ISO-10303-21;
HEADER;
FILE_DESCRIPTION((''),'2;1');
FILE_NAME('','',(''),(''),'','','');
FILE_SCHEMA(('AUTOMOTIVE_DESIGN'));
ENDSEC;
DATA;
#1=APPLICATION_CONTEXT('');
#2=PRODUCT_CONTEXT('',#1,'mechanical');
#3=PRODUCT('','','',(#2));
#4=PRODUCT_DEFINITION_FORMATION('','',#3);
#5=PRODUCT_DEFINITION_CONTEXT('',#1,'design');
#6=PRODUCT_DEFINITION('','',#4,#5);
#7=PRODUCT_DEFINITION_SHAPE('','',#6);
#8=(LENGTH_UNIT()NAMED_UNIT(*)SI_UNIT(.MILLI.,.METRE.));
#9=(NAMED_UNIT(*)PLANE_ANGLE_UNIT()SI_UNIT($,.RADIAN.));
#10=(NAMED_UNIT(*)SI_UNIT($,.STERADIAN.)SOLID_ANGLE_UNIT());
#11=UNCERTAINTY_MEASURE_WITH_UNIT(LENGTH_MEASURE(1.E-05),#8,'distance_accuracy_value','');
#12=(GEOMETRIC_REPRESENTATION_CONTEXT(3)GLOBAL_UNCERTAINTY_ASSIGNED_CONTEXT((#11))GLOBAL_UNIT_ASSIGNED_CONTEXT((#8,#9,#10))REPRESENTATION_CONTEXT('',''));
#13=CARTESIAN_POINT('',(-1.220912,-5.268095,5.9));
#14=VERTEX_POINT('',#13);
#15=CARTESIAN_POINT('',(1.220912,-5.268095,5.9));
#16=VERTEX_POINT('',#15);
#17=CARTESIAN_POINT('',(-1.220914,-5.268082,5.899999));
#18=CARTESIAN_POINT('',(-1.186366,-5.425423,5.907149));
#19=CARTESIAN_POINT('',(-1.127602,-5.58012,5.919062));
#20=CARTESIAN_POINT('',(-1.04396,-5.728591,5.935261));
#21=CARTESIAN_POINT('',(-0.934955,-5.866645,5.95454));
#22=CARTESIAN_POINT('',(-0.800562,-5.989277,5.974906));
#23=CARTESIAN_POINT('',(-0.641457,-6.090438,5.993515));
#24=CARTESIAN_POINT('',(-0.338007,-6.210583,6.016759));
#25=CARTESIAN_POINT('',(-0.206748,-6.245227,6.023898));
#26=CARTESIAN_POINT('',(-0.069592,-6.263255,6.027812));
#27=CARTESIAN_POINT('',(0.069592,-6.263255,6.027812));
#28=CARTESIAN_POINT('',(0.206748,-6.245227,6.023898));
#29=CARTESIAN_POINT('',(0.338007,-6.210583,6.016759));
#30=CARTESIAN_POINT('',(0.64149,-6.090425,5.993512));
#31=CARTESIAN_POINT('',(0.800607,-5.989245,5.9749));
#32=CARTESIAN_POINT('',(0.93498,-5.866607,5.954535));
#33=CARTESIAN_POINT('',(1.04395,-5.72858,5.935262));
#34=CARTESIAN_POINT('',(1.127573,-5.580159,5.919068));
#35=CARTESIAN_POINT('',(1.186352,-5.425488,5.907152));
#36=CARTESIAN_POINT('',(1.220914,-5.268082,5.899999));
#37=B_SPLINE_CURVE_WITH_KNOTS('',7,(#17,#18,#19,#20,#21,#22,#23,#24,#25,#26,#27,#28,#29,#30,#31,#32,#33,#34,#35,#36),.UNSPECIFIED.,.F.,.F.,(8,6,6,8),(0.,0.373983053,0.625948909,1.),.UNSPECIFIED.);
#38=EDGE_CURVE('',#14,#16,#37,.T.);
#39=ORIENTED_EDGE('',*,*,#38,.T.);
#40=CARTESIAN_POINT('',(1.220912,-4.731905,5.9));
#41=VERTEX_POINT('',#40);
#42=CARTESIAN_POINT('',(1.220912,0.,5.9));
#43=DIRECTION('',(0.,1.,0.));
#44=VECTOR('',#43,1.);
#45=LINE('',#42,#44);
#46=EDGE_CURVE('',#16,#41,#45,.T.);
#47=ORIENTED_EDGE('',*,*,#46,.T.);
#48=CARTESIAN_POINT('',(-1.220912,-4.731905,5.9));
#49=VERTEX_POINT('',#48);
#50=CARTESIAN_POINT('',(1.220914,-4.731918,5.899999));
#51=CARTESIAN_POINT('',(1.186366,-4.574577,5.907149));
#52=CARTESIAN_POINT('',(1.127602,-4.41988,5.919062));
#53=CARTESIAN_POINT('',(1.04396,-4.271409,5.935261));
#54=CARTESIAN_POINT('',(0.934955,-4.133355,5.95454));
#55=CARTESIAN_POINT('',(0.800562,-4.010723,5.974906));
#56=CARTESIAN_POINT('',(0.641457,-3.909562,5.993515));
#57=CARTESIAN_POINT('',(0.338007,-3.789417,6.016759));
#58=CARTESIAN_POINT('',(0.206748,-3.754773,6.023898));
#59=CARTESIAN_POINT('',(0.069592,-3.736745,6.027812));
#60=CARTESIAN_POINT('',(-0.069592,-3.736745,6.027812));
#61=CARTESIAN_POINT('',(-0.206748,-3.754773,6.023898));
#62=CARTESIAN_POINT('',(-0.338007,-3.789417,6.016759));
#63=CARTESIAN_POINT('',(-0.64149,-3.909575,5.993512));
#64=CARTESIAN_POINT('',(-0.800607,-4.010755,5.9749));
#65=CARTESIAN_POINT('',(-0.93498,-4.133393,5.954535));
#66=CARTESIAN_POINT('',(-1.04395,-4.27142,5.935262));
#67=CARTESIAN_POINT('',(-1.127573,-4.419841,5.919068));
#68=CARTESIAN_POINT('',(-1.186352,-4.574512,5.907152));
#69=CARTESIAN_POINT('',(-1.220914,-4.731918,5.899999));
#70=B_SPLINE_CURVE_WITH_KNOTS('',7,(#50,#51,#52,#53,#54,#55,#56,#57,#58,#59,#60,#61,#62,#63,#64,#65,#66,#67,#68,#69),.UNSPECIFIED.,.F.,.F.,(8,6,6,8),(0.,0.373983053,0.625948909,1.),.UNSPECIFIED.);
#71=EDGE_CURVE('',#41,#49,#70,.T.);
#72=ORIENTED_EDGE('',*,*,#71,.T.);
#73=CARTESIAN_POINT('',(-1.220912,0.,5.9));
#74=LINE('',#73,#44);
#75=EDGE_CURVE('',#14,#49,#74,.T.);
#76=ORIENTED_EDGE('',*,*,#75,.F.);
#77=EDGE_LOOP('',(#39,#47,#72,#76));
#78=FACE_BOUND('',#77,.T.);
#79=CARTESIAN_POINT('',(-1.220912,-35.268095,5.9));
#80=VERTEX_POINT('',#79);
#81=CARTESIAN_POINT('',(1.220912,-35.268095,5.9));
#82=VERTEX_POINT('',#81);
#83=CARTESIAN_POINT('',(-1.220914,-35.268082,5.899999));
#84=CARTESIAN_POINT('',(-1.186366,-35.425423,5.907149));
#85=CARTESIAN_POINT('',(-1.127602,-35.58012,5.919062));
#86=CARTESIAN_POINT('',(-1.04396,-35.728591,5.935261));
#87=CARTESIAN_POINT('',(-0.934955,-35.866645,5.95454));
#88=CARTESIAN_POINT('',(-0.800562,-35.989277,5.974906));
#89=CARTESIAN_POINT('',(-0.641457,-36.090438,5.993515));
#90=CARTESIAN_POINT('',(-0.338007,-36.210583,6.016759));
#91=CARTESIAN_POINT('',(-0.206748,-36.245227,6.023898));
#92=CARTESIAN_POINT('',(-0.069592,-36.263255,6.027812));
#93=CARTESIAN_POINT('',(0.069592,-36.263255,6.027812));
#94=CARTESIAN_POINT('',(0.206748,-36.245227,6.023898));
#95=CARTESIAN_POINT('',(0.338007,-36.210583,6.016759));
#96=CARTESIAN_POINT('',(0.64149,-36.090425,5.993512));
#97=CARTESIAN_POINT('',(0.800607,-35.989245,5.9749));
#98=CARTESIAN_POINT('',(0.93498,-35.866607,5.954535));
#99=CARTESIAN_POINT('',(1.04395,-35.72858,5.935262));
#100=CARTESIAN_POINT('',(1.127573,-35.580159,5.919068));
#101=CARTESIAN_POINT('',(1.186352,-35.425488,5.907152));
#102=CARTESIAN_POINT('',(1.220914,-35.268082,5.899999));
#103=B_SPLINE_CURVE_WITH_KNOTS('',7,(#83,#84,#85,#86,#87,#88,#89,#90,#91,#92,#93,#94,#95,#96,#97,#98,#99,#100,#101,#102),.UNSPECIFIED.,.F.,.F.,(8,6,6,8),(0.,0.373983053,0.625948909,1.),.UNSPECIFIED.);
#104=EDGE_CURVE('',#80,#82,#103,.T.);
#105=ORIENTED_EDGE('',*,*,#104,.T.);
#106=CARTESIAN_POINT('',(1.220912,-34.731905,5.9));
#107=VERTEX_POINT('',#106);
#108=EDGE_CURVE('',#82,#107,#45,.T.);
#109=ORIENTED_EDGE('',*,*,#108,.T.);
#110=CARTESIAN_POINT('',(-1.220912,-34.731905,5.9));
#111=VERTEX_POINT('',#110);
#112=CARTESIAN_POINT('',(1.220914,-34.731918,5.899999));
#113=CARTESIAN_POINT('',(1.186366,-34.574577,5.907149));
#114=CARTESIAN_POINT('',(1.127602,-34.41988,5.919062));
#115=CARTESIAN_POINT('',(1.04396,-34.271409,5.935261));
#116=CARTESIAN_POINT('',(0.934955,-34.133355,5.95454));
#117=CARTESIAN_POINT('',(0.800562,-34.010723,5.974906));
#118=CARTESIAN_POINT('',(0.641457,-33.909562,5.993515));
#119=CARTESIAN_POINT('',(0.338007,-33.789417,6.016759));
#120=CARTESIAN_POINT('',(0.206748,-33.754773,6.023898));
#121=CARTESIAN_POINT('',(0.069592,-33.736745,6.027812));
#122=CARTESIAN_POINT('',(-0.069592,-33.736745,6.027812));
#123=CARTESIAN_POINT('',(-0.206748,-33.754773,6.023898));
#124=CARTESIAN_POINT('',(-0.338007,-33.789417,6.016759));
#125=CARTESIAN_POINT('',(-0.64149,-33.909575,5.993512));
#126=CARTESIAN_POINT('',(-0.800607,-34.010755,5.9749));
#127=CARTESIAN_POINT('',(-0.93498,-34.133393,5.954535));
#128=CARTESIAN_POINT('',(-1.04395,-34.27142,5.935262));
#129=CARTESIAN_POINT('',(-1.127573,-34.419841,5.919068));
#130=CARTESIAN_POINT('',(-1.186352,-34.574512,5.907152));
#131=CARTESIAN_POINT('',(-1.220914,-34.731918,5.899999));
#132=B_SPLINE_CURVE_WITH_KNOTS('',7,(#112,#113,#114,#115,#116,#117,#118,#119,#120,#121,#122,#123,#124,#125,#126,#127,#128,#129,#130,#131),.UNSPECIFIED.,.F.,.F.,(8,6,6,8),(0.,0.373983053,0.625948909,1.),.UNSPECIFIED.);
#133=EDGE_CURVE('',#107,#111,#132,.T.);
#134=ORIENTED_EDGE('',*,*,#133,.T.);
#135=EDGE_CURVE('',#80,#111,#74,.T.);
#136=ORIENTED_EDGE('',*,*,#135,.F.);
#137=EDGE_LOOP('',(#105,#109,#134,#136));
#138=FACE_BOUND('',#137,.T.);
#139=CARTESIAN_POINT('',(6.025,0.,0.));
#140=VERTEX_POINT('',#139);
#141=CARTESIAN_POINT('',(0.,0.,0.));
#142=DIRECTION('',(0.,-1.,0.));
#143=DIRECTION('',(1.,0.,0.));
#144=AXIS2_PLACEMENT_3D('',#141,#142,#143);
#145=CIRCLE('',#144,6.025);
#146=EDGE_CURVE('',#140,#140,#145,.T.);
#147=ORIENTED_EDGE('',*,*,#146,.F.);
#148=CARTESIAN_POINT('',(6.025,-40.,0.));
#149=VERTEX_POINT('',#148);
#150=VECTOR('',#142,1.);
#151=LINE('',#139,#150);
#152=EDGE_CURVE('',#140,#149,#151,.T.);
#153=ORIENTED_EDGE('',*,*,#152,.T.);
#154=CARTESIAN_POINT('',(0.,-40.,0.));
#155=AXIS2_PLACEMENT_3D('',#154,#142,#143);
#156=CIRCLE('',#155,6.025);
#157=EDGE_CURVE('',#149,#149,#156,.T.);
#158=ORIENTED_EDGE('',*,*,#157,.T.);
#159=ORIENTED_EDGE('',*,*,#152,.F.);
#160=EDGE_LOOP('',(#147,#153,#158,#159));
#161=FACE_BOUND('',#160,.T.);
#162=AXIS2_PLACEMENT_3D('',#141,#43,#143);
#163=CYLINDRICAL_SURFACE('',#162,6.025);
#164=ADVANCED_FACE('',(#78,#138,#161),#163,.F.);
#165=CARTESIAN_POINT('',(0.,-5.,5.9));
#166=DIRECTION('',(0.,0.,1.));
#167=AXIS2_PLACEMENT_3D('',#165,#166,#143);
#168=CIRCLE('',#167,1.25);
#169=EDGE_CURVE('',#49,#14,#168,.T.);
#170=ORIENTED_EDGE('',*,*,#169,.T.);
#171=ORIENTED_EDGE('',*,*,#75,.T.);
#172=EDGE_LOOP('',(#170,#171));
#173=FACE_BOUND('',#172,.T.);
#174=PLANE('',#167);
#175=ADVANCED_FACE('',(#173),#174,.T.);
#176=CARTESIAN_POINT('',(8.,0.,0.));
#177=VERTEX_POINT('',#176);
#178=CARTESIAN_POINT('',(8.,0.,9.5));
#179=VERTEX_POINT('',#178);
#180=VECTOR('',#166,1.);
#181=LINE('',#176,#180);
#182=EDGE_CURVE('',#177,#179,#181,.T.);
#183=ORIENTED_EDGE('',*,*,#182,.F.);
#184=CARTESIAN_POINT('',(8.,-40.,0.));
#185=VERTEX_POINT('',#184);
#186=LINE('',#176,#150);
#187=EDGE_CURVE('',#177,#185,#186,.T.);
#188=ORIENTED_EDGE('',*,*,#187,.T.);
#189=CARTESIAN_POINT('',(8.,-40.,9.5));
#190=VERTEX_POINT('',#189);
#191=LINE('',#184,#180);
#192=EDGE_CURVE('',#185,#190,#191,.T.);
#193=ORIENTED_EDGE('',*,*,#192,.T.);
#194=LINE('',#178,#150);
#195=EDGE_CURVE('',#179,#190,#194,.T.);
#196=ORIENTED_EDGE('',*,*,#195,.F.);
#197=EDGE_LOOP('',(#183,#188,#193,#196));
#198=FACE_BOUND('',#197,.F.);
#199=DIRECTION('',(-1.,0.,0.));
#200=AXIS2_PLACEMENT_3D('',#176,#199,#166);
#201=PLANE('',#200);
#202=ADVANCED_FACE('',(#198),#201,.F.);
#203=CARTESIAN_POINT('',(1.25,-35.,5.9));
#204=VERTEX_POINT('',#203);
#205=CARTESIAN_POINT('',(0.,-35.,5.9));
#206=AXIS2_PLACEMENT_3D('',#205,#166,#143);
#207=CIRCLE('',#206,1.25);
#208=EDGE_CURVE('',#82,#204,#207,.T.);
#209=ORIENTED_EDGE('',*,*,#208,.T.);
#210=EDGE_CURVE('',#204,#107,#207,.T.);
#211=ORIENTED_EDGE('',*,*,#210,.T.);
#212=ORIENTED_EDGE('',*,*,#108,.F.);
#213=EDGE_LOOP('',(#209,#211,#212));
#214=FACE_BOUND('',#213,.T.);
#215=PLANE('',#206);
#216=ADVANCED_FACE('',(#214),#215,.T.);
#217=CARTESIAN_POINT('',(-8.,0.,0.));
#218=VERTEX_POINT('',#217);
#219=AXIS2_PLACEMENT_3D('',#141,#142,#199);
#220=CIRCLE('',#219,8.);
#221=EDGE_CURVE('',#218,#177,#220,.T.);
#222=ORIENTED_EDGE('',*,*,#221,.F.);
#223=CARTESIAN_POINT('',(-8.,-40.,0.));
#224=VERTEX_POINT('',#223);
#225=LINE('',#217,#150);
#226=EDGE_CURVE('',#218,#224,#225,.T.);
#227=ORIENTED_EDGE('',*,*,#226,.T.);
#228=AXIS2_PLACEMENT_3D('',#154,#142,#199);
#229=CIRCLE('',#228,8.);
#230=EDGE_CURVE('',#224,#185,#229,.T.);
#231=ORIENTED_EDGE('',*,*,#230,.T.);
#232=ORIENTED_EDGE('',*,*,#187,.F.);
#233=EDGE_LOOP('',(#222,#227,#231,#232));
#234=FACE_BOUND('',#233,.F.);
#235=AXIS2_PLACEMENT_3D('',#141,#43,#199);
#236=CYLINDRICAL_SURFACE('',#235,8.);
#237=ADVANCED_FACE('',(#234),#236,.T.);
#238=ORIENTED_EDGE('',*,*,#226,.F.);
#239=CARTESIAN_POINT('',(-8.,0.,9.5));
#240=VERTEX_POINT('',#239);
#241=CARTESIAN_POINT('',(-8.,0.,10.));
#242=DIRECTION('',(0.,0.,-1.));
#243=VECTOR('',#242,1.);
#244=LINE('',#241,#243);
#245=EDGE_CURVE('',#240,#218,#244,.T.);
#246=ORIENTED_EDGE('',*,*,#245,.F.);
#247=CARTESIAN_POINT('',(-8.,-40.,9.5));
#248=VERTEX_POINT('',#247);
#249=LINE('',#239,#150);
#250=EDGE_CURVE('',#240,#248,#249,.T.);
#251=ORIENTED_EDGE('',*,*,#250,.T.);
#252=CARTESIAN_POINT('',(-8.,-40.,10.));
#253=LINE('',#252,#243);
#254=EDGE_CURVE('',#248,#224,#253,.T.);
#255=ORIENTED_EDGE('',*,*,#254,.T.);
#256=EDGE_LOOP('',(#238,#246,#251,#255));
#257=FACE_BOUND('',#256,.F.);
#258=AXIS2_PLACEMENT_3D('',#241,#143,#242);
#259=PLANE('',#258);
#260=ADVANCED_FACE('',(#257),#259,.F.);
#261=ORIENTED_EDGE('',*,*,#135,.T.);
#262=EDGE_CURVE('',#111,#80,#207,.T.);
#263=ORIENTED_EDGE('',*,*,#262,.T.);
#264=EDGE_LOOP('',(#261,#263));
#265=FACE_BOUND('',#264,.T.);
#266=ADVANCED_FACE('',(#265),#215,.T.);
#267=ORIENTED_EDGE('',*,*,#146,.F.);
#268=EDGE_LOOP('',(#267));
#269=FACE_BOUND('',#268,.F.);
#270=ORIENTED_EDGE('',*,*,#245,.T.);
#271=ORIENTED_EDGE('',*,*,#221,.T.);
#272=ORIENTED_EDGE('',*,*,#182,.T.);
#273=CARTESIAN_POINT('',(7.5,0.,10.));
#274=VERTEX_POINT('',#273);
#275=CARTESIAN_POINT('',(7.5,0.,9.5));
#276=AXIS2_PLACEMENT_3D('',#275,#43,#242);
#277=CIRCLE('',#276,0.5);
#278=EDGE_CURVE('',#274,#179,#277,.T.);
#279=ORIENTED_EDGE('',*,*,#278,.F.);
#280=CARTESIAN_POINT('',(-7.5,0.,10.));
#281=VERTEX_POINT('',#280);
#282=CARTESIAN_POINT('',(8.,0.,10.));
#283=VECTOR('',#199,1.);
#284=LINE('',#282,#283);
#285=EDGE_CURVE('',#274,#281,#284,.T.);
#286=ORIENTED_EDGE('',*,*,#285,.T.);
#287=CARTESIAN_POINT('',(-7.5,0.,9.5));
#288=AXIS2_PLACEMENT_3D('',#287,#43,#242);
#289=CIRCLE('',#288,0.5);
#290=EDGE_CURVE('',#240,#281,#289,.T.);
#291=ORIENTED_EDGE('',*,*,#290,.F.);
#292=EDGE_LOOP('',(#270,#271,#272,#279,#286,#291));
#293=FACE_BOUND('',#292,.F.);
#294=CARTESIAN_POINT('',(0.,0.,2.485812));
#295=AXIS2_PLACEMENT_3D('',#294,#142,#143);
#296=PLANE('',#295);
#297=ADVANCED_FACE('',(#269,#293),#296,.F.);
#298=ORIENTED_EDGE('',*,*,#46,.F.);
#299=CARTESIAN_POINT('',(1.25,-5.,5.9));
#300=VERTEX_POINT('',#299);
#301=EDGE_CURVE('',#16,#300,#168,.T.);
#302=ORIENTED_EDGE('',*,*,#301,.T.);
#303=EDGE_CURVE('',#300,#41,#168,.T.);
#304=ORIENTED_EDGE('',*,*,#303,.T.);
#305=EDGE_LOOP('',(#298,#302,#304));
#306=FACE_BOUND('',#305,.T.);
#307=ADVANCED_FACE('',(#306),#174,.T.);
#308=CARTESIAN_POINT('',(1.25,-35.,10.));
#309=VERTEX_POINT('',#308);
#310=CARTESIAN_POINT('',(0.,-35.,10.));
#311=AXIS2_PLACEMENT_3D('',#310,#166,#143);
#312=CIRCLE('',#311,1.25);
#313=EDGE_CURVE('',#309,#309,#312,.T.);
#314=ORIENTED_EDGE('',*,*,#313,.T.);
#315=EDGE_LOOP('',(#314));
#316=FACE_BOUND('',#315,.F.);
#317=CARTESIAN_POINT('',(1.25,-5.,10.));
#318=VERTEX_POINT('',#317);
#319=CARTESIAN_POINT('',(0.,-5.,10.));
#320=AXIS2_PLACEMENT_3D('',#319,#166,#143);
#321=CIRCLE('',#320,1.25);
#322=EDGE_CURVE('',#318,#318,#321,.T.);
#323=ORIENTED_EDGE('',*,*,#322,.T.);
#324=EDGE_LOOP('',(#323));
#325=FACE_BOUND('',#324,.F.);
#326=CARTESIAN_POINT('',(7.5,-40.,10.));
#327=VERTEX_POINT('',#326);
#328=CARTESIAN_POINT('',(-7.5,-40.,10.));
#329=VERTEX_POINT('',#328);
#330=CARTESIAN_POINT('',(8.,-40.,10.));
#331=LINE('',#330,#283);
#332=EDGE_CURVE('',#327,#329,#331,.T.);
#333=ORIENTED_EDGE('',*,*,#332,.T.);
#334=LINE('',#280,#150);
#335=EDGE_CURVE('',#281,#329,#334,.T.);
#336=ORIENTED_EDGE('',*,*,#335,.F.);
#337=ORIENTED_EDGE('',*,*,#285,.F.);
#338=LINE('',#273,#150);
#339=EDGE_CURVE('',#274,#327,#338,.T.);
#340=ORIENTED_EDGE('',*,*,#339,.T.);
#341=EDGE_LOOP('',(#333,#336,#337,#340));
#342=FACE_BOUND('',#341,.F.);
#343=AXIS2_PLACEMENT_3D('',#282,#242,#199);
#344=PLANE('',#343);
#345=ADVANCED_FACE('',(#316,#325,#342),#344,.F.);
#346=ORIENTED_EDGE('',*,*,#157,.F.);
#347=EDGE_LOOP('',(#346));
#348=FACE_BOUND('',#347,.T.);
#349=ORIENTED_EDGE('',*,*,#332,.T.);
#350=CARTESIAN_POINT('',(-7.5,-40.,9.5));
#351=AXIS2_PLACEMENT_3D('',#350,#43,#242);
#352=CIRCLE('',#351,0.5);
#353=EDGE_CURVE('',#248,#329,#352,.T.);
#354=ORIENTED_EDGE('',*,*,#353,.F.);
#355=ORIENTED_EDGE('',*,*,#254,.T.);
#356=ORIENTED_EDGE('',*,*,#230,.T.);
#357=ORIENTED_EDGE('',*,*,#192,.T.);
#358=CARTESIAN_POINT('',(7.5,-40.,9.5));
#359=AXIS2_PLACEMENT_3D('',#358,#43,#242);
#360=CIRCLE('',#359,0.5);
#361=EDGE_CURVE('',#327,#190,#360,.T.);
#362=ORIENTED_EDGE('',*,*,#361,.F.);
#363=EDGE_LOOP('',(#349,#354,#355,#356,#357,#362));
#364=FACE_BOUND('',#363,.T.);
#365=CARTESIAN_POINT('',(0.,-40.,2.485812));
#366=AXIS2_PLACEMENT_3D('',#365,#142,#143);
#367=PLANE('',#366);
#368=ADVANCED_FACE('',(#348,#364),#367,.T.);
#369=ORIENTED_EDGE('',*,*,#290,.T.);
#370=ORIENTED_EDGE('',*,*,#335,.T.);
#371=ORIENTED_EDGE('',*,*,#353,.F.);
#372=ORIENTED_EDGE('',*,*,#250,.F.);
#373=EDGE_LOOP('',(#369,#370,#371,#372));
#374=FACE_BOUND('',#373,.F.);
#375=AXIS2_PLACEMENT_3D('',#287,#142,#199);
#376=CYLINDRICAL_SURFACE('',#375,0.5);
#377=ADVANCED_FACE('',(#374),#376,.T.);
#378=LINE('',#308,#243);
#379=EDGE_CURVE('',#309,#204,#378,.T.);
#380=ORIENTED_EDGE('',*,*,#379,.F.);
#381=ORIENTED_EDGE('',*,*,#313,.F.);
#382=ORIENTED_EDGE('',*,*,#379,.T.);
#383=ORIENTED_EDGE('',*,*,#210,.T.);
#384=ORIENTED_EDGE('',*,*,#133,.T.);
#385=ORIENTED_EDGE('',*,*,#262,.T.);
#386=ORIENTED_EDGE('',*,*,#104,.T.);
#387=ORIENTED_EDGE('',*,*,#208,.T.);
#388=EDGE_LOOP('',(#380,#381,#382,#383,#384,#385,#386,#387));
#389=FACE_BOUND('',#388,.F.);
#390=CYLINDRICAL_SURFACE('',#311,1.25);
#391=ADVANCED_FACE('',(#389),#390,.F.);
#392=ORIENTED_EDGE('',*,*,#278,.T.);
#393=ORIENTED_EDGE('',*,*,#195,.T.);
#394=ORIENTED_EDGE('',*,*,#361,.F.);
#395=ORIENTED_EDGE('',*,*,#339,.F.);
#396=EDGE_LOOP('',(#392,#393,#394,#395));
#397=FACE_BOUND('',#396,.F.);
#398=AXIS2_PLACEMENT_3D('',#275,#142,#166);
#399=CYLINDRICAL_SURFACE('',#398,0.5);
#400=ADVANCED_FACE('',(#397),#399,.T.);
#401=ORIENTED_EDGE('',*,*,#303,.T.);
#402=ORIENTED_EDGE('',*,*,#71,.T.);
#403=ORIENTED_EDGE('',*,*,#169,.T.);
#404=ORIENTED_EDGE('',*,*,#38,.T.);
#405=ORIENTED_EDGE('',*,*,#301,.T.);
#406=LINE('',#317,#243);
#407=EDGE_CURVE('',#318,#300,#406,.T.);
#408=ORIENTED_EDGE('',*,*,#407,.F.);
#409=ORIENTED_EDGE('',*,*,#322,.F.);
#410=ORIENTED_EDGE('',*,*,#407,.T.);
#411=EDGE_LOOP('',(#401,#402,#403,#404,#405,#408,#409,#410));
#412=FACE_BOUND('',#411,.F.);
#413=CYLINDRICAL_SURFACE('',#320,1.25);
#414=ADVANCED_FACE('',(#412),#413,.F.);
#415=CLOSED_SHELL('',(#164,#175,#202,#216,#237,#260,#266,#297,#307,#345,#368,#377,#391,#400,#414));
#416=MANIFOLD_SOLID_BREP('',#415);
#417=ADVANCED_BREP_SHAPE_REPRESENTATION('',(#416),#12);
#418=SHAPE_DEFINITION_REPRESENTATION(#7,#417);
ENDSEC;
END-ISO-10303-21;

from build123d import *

# Parameters (mm, degrees)
F0_R     = 6.025
F1_DEPTH = 40
F2_R     = 1.25
F3_DEPTH = 4.1
F4_R     = 0.5


with BuildPart() as f1:
    # F0 (on Front) → F1 (new body)
    with BuildSketch(Plane.XZ):
        with BuildLine():
            Line((-8, 10), (-8, 0))
            ThreePointArc((-8, 0), (0, -8), (8, 0))
            Line((8, 0), (8, 10))
            Line((8, 10), (-8, 10))
        make_face()
        Circle(F0_R, mode=Mode.SUBTRACT)
    extrude(amount=F1_DEPTH)

    # F2 (on face) → F3 (cut)
    with BuildSketch(Plane.XY.offset(10)):
        with Locations((0, -5)):
            Circle(F2_R)
        with Locations((0, -35)):
            Circle(F2_R)
    extrude(amount=-F3_DEPTH, mode=Mode.SUBTRACT)

    # F4
    f4_edges = [f1.edges().sort_by_distance(p)[0] for p in [
        (-8, -20, 10),
        (8, -20, 10),
    ]]
    fillet(f4_edges, radius=F4_R)


solid = f1.part
